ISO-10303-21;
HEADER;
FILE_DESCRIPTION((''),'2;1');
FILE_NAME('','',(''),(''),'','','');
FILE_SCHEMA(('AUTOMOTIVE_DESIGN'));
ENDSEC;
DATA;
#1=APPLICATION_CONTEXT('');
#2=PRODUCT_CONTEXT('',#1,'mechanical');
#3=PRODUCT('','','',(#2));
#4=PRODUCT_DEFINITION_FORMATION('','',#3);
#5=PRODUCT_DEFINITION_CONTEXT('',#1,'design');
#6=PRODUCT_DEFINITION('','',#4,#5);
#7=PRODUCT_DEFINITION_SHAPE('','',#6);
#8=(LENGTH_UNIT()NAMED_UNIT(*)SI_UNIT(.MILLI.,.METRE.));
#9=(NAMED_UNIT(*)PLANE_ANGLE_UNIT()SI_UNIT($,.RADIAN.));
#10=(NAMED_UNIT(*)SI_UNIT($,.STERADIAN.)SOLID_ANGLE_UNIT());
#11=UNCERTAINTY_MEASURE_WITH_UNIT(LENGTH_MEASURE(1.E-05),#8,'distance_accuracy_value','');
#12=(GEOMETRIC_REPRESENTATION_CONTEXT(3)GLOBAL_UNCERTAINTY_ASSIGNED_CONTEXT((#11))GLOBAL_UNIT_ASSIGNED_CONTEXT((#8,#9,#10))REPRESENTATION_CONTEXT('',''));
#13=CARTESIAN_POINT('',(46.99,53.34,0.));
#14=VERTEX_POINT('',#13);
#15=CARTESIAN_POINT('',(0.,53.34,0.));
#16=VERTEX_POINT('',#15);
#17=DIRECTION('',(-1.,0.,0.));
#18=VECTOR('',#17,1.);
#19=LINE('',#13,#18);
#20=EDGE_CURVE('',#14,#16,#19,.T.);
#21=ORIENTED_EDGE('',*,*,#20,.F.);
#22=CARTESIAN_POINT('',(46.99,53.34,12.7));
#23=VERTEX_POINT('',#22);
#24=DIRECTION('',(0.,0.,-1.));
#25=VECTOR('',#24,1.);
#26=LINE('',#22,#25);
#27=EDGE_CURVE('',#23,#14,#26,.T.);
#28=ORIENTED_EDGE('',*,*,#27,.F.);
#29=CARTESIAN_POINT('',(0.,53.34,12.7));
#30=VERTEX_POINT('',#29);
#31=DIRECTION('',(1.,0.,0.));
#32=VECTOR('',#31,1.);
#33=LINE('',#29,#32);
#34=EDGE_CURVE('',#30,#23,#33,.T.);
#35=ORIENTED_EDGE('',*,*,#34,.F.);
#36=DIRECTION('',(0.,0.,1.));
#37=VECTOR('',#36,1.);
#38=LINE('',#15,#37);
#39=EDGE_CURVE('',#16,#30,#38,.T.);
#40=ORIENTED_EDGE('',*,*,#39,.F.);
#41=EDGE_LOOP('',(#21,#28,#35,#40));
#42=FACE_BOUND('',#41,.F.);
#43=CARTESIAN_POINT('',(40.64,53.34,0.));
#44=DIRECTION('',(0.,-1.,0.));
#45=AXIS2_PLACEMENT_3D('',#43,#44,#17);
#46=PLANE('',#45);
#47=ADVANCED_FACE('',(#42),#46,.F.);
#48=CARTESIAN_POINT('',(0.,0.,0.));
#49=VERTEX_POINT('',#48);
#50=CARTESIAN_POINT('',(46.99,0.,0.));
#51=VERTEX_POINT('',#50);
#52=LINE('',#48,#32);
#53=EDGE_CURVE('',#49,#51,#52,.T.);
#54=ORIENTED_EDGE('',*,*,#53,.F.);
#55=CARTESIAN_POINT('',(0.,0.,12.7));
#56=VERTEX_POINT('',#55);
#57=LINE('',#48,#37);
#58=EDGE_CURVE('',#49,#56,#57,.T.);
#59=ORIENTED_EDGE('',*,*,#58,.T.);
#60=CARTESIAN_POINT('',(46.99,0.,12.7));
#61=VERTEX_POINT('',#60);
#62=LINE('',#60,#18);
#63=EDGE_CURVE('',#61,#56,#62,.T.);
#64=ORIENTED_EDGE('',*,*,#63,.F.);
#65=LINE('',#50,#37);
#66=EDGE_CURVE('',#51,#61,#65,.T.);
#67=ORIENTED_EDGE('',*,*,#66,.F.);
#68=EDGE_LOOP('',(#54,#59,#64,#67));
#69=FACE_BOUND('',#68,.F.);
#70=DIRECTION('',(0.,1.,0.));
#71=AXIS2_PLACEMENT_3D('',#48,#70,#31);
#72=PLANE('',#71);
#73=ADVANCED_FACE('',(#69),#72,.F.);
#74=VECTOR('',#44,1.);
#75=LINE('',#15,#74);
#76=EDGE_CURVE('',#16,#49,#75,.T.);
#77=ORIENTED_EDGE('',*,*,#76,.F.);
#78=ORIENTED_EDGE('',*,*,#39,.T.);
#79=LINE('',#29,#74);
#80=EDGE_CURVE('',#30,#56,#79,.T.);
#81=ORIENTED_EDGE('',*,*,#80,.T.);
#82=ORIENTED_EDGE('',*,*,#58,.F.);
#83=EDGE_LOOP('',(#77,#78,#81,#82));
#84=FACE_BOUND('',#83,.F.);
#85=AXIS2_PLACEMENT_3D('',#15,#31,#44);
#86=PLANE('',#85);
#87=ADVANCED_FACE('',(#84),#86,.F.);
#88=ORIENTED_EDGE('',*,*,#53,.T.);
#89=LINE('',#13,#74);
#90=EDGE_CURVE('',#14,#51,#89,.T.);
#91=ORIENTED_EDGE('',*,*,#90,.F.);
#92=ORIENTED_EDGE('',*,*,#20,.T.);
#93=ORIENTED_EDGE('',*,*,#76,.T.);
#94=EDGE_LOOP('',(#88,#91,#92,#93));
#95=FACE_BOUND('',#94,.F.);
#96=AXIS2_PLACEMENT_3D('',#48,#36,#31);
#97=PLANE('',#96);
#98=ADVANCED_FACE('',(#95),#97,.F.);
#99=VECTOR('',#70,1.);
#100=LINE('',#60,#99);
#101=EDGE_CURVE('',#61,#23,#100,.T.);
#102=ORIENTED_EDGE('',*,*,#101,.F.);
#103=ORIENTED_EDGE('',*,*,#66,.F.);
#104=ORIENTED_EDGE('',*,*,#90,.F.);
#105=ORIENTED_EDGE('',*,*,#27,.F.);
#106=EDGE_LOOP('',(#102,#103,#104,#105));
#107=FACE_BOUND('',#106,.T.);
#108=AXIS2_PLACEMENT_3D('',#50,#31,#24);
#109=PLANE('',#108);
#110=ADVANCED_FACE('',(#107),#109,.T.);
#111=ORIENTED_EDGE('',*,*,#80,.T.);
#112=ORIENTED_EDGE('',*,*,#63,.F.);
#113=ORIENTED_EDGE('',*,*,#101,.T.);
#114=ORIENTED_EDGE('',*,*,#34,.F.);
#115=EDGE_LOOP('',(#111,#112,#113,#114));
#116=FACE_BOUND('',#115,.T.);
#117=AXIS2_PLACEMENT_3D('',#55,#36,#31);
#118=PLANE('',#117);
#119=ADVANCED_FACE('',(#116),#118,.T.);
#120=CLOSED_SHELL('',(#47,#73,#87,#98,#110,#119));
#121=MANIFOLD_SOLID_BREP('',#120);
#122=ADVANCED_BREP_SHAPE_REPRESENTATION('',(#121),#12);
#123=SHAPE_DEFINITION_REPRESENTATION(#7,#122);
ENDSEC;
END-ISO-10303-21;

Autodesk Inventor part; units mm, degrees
ref_plane "YZ Plane" through (0, 0, 0) normal (1, 0, 0) x (0, 1, 0)
ref_plane "XZ Plane" through (0, 0, 0) normal (0, 1, 0) x (-1, 0, 0)
ref_plane "XY Plane" through (0, 0, 0) normal (0, 0, 1) x (1, 0, 0)
sketch "Sketch1" plane through (0, 0, 0) normal (0, 0, 1) x (1, 0, 0)
  line L0 (0, 0) -> (40.64, 0)
  line L1 (40.64, 0) -> (40.64, 53.34)
  line L2 (40.64, 53.34) -> (0, 53.34)
  line L3 (0, 53.34) -> (0, 0)
  dimension "d0" = 53.34
  dimension "d1" = 40.64
extrude "Extrusion1" add sketch "Sketch1" along normal blind 12.7
sketch "Sketch2" plane through (40.64, 0, 0) normal (1, 0, 0) x (0, 0, -1)
  point P0 (0, 0)
sketch "Sketch3" plane through (40.64, 0, 0) normal (1, 0, 0) x (0, 0, -1)
  line L0 (0, 0) -> (-12.7, 0) projected
  line L1 (-12.7, 0) -> (-12.7, 53.34) projected
  line L2 (0, 0) -> (-12.7, 0)
  line L3 (-12.7, 0) -> (-12.7, 53.34)
  line L4 (-12.7, 53.34) -> (0, 53.34)
  line L5 (0, 53.34) -> (0, 0)
extrude "Extrusion2" add sketch "Sketch3" along normal blind 6.35
properties part number "Spacer Bg"
